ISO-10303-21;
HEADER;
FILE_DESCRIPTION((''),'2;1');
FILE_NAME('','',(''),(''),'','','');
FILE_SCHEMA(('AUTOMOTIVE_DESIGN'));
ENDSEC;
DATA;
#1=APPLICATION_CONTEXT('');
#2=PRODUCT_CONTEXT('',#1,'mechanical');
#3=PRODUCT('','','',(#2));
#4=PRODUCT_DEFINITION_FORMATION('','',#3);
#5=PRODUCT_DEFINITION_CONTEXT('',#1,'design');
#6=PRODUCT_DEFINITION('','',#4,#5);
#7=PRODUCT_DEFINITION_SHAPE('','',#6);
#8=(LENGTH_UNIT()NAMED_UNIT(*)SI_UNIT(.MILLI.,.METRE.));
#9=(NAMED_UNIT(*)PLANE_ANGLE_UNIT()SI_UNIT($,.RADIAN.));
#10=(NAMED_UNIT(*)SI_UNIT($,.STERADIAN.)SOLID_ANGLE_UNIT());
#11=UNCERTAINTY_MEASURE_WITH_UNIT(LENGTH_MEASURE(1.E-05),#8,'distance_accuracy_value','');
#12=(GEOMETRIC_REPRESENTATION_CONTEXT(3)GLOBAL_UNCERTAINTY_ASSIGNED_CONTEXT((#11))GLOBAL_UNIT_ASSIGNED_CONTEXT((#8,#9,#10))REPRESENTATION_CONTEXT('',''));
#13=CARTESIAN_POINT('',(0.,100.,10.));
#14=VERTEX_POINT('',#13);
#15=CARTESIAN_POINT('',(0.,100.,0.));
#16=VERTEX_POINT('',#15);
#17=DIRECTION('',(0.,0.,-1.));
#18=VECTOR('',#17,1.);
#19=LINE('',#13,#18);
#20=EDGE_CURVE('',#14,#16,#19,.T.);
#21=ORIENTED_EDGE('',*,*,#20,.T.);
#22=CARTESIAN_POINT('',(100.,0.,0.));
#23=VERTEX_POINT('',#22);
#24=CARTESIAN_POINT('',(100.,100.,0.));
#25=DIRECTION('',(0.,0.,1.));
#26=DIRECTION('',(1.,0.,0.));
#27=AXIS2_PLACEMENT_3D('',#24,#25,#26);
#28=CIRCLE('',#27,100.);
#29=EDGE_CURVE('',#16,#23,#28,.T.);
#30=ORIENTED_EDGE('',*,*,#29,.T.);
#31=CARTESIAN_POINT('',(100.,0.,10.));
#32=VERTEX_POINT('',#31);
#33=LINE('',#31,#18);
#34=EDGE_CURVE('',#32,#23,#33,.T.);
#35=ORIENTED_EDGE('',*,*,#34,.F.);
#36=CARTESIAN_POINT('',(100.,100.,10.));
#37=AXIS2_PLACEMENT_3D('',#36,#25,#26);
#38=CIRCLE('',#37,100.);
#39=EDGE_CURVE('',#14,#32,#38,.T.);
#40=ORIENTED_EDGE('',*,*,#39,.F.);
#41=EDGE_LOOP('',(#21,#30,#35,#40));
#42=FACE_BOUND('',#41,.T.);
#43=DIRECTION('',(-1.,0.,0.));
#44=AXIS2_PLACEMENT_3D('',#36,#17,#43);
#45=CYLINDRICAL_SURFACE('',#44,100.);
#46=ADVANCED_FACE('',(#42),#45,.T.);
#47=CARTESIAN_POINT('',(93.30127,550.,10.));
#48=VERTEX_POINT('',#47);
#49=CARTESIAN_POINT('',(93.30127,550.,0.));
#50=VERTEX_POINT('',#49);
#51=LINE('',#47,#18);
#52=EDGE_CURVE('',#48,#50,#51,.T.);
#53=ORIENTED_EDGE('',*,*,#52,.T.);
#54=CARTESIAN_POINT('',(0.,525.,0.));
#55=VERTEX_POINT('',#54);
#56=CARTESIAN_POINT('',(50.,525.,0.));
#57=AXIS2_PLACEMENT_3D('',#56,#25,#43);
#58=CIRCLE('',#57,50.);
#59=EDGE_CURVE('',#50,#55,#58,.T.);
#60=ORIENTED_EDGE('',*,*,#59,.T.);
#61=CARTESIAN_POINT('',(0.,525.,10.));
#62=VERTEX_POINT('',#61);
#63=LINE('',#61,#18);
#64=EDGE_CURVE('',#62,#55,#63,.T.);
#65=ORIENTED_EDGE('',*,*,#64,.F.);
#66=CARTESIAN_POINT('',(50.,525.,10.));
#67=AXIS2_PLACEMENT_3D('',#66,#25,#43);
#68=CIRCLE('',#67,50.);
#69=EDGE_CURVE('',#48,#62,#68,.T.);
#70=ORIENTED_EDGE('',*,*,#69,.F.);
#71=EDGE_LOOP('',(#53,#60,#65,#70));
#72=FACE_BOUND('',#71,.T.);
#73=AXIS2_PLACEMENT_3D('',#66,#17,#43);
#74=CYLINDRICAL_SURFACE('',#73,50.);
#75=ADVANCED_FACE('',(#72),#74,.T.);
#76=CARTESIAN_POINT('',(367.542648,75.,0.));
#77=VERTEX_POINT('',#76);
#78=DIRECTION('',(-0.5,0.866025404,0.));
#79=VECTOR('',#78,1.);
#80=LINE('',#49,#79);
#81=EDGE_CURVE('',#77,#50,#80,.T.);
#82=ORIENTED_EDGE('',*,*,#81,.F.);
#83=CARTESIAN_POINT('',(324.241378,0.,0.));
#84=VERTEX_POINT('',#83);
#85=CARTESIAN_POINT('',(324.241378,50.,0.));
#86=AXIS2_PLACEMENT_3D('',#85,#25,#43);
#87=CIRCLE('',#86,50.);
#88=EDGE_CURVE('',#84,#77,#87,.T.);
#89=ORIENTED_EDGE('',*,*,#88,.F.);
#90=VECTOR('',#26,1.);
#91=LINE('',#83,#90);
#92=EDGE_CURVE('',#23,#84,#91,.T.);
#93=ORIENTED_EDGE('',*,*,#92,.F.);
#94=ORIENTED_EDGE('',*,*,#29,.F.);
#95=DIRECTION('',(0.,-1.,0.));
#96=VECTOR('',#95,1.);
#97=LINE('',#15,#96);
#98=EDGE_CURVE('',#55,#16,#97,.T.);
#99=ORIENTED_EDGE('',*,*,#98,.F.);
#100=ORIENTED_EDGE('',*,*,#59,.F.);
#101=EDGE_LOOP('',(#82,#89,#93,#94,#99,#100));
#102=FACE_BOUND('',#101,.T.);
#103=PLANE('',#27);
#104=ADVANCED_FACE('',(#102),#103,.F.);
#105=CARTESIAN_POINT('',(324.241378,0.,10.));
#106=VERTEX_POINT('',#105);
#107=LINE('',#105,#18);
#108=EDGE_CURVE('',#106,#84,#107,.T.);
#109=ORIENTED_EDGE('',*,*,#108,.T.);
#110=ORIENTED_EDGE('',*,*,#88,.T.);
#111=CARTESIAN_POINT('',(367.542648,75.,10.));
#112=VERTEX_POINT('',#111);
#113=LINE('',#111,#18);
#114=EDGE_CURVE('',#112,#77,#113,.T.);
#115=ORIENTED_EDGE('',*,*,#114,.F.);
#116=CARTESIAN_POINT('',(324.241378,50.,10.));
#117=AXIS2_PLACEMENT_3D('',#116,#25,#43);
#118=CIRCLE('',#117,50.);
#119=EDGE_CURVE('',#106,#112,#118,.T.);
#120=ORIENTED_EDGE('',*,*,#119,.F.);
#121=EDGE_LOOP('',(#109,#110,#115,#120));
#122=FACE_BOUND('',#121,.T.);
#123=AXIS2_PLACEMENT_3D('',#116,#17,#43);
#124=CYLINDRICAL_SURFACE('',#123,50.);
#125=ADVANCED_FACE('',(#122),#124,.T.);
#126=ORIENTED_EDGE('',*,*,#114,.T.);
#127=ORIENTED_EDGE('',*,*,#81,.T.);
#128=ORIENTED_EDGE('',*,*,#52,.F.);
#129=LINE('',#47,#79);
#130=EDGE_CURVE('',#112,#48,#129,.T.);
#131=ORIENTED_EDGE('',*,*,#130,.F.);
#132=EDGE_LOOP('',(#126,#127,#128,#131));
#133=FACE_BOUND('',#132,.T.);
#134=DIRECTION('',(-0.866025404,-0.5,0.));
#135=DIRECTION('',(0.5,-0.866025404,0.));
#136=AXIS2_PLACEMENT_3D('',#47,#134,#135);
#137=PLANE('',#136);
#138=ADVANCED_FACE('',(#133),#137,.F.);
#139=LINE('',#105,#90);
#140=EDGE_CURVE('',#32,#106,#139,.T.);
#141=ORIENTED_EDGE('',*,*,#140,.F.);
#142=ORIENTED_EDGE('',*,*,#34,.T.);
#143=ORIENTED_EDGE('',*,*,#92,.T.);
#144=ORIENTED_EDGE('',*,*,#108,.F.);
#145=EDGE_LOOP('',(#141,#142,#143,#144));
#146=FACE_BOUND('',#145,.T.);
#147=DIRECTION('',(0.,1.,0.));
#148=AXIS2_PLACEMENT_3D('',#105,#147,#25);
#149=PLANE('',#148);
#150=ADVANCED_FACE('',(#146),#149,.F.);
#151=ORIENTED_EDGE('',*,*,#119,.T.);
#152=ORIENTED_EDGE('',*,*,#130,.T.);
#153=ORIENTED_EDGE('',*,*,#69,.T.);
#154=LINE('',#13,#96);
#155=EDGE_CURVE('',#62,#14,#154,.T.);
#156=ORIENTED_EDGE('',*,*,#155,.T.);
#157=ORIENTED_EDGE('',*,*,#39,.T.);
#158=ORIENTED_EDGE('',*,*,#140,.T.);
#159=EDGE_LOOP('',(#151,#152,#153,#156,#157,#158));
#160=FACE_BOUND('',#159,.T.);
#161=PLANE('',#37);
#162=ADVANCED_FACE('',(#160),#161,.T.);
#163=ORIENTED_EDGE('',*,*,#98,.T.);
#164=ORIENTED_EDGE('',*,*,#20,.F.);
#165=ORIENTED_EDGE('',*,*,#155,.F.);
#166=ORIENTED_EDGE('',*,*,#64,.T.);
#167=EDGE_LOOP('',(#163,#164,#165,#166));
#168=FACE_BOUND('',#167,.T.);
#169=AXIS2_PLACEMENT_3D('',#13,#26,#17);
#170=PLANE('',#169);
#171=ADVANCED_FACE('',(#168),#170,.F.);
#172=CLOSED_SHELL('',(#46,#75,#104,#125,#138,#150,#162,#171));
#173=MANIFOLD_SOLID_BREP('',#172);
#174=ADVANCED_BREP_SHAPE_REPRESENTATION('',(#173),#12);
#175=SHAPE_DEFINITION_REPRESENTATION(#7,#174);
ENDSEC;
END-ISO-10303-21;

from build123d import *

# Parameters (mm, degrees)
BOSS_EXTRUDE1_DEPTH = 10


with BuildPart() as part:
    # Sketch1 → Boss-Extrude1 (new body)
    with BuildSketch(Plane.XY):
        with BuildLine():
            Line((0, 100), (0, 525))
            ThreePointArc((0, 525), (37.059047745, 573.296291314), (93.301270189, 550))
            Line((93.301270189, 550), (367.542648054, 75))
            ThreePointArc((367.542648054, 75), (367.542648054, 25), (324.241377865, 0))
            Line((324.241377865, 0), (100, 0))
            ThreePointArc((100, 0), (29.289321881, 29.289321881), (0, 100))
        make_face()
    extrude(amount=BOSS_EXTRUDE1_DEPTH)


solid = part.part
